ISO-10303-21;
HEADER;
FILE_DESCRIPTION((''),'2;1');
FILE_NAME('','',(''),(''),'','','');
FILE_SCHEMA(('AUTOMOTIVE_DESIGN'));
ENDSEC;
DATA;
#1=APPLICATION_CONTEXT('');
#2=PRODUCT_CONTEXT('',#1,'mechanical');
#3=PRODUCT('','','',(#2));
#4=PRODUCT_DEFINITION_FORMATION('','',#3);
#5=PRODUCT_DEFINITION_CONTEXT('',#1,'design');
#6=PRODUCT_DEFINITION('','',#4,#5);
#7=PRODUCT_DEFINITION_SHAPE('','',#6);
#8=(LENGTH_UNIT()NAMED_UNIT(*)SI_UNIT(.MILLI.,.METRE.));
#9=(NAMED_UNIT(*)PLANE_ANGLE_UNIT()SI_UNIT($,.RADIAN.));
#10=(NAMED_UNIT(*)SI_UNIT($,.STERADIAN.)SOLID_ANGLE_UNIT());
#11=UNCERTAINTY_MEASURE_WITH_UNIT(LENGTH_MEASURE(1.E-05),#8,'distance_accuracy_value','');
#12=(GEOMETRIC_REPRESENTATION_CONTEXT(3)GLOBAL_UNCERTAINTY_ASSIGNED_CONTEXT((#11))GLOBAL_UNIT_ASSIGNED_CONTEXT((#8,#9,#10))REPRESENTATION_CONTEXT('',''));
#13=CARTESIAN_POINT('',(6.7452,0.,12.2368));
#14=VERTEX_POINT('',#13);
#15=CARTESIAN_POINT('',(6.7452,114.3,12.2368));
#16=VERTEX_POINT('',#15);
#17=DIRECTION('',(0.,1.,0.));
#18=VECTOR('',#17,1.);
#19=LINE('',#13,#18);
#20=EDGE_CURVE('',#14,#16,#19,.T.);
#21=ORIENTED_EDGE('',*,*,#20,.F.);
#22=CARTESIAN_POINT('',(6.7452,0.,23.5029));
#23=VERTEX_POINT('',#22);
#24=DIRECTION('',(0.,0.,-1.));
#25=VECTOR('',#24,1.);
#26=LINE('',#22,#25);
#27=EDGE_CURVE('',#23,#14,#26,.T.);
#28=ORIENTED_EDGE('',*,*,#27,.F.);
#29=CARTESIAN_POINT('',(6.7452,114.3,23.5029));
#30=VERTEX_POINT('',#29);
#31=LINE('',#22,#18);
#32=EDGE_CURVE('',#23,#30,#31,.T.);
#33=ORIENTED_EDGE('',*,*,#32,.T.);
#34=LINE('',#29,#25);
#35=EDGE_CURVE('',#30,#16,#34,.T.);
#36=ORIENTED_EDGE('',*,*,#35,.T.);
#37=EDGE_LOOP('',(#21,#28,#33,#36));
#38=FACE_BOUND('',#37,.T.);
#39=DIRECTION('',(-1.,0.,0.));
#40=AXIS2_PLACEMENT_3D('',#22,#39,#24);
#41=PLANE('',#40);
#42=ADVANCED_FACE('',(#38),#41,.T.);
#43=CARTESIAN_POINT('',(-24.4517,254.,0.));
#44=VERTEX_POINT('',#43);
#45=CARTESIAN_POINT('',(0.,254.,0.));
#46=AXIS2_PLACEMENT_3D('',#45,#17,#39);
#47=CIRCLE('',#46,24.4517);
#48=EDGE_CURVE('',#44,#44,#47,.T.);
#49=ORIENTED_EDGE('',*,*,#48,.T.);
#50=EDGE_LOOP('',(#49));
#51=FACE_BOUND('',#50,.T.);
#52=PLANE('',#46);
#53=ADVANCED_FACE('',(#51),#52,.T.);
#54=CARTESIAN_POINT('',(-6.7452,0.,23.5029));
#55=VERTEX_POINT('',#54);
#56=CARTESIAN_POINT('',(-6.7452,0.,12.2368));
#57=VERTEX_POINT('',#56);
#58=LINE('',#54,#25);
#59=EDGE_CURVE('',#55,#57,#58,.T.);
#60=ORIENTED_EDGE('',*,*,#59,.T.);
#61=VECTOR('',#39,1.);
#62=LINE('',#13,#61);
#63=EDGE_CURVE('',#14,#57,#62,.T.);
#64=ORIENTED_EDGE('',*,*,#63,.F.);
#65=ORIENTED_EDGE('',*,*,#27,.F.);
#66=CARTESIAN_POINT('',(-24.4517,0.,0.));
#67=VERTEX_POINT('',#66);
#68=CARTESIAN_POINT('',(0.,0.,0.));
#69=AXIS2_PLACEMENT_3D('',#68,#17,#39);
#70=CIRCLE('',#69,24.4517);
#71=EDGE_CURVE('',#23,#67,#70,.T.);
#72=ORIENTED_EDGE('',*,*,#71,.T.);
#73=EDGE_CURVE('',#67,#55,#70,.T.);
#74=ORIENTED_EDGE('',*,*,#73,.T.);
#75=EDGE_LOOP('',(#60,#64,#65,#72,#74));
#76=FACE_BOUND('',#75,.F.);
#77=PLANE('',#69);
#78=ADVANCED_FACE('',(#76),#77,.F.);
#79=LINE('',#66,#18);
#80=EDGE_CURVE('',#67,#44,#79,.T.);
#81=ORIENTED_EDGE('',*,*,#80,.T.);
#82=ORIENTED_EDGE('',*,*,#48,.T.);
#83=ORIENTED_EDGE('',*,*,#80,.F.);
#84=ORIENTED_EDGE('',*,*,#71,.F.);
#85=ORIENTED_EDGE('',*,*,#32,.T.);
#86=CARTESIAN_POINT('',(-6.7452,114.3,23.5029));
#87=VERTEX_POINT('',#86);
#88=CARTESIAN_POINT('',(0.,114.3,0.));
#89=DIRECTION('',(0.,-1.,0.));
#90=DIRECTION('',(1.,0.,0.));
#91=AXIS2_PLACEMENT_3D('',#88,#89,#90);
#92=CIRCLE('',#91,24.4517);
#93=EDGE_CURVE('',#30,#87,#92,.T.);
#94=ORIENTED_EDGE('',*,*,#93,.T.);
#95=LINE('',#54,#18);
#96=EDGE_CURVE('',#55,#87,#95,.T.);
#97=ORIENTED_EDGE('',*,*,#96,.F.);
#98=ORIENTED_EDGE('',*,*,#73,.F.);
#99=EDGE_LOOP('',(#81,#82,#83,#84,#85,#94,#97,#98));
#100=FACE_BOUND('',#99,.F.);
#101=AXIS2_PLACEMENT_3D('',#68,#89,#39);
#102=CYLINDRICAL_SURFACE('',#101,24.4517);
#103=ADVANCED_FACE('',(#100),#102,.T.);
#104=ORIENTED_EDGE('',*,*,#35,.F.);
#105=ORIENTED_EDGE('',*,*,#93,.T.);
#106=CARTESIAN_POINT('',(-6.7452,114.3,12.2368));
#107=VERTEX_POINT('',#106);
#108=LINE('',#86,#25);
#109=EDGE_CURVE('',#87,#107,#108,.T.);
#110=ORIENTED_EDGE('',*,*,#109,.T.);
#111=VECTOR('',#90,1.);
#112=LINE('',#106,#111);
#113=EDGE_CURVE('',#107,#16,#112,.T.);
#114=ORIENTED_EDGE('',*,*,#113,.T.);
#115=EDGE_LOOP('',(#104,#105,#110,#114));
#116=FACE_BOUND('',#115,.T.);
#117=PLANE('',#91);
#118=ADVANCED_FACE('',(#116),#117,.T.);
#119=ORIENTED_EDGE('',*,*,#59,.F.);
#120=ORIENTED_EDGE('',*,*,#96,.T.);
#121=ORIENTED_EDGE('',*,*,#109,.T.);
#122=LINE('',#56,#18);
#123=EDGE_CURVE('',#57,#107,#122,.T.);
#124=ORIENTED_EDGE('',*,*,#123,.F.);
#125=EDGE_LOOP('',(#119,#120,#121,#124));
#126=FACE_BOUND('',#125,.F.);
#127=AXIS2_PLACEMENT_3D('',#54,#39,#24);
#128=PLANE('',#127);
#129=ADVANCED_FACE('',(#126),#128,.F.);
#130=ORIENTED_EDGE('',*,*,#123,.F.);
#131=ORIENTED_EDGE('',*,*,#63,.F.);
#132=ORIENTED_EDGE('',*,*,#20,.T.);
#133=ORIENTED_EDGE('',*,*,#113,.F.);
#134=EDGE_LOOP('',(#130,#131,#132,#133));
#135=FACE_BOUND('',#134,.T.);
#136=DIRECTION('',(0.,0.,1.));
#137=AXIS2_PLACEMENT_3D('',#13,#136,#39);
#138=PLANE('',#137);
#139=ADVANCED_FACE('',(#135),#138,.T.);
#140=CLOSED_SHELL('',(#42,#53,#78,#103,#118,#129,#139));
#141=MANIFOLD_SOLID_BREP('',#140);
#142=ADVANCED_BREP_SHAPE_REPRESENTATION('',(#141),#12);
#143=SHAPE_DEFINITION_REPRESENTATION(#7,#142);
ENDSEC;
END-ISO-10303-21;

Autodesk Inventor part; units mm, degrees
sketch "Sketch1" plane through (0, 0, 0) normal (0, 1, 0) x (-1, 0, 0)
  circle A0 centre (0, 0) radius 24.4517
  dimension "shaft_diameter" = 48.9034
extrude "Extrusion1" add sketch "Sketch1" along normal blind 254
sketch "Sketch2" plane through (0, 254, 0) normal (0, 1, 0) x (1, 0, 0)
  point P0 (0, 0)
ref_plane "Work Plane1" through (0, 247.65, 0) normal (0, 1, 0) x (1, 0, 0)
ref_plane "Work Plane2" through (0, 234.95, 0) normal (0, 1, 0) x (1, 0, 0)
sketch "Sketch6" plane through (0, 0, 0) normal (0, 0, 1) x (1, 0, 0)
  point P0 (0, 0)
ref_plane "Work Plane3" through (0, 0, 10.16) normal (0, 0, 1) x (1, 0, 0)
sketch "Sketch11" plane through (0, 0, 0) normal (0, -1, 0) x (1, 0, 0)
  circle A0 centre (0, 0) radius 24.4517 projected
  line L0 (-6.7452, 23.5029) -> (-6.7452, 12.2368)
  line L1 (-6.7452, 12.2368) -> (0, 12.2368)
  line L2 (6.7452, 23.5029) -> (6.7452, 12.2368)
  line L3 (6.7452, 12.2368) -> (0, 12.2368)
  arc A1 (6.7452, 23.5029) -> (-6.7452, 23.5029) centre (0, 0) ccw
extrude "Extrusion8" cut sketch "Sketch11" against normal blind 114.3 contours L2 L3 L1 L0 A0 picked at (-4.4968, 15.9922)
properties part number "ADJ_shaft_v4"
